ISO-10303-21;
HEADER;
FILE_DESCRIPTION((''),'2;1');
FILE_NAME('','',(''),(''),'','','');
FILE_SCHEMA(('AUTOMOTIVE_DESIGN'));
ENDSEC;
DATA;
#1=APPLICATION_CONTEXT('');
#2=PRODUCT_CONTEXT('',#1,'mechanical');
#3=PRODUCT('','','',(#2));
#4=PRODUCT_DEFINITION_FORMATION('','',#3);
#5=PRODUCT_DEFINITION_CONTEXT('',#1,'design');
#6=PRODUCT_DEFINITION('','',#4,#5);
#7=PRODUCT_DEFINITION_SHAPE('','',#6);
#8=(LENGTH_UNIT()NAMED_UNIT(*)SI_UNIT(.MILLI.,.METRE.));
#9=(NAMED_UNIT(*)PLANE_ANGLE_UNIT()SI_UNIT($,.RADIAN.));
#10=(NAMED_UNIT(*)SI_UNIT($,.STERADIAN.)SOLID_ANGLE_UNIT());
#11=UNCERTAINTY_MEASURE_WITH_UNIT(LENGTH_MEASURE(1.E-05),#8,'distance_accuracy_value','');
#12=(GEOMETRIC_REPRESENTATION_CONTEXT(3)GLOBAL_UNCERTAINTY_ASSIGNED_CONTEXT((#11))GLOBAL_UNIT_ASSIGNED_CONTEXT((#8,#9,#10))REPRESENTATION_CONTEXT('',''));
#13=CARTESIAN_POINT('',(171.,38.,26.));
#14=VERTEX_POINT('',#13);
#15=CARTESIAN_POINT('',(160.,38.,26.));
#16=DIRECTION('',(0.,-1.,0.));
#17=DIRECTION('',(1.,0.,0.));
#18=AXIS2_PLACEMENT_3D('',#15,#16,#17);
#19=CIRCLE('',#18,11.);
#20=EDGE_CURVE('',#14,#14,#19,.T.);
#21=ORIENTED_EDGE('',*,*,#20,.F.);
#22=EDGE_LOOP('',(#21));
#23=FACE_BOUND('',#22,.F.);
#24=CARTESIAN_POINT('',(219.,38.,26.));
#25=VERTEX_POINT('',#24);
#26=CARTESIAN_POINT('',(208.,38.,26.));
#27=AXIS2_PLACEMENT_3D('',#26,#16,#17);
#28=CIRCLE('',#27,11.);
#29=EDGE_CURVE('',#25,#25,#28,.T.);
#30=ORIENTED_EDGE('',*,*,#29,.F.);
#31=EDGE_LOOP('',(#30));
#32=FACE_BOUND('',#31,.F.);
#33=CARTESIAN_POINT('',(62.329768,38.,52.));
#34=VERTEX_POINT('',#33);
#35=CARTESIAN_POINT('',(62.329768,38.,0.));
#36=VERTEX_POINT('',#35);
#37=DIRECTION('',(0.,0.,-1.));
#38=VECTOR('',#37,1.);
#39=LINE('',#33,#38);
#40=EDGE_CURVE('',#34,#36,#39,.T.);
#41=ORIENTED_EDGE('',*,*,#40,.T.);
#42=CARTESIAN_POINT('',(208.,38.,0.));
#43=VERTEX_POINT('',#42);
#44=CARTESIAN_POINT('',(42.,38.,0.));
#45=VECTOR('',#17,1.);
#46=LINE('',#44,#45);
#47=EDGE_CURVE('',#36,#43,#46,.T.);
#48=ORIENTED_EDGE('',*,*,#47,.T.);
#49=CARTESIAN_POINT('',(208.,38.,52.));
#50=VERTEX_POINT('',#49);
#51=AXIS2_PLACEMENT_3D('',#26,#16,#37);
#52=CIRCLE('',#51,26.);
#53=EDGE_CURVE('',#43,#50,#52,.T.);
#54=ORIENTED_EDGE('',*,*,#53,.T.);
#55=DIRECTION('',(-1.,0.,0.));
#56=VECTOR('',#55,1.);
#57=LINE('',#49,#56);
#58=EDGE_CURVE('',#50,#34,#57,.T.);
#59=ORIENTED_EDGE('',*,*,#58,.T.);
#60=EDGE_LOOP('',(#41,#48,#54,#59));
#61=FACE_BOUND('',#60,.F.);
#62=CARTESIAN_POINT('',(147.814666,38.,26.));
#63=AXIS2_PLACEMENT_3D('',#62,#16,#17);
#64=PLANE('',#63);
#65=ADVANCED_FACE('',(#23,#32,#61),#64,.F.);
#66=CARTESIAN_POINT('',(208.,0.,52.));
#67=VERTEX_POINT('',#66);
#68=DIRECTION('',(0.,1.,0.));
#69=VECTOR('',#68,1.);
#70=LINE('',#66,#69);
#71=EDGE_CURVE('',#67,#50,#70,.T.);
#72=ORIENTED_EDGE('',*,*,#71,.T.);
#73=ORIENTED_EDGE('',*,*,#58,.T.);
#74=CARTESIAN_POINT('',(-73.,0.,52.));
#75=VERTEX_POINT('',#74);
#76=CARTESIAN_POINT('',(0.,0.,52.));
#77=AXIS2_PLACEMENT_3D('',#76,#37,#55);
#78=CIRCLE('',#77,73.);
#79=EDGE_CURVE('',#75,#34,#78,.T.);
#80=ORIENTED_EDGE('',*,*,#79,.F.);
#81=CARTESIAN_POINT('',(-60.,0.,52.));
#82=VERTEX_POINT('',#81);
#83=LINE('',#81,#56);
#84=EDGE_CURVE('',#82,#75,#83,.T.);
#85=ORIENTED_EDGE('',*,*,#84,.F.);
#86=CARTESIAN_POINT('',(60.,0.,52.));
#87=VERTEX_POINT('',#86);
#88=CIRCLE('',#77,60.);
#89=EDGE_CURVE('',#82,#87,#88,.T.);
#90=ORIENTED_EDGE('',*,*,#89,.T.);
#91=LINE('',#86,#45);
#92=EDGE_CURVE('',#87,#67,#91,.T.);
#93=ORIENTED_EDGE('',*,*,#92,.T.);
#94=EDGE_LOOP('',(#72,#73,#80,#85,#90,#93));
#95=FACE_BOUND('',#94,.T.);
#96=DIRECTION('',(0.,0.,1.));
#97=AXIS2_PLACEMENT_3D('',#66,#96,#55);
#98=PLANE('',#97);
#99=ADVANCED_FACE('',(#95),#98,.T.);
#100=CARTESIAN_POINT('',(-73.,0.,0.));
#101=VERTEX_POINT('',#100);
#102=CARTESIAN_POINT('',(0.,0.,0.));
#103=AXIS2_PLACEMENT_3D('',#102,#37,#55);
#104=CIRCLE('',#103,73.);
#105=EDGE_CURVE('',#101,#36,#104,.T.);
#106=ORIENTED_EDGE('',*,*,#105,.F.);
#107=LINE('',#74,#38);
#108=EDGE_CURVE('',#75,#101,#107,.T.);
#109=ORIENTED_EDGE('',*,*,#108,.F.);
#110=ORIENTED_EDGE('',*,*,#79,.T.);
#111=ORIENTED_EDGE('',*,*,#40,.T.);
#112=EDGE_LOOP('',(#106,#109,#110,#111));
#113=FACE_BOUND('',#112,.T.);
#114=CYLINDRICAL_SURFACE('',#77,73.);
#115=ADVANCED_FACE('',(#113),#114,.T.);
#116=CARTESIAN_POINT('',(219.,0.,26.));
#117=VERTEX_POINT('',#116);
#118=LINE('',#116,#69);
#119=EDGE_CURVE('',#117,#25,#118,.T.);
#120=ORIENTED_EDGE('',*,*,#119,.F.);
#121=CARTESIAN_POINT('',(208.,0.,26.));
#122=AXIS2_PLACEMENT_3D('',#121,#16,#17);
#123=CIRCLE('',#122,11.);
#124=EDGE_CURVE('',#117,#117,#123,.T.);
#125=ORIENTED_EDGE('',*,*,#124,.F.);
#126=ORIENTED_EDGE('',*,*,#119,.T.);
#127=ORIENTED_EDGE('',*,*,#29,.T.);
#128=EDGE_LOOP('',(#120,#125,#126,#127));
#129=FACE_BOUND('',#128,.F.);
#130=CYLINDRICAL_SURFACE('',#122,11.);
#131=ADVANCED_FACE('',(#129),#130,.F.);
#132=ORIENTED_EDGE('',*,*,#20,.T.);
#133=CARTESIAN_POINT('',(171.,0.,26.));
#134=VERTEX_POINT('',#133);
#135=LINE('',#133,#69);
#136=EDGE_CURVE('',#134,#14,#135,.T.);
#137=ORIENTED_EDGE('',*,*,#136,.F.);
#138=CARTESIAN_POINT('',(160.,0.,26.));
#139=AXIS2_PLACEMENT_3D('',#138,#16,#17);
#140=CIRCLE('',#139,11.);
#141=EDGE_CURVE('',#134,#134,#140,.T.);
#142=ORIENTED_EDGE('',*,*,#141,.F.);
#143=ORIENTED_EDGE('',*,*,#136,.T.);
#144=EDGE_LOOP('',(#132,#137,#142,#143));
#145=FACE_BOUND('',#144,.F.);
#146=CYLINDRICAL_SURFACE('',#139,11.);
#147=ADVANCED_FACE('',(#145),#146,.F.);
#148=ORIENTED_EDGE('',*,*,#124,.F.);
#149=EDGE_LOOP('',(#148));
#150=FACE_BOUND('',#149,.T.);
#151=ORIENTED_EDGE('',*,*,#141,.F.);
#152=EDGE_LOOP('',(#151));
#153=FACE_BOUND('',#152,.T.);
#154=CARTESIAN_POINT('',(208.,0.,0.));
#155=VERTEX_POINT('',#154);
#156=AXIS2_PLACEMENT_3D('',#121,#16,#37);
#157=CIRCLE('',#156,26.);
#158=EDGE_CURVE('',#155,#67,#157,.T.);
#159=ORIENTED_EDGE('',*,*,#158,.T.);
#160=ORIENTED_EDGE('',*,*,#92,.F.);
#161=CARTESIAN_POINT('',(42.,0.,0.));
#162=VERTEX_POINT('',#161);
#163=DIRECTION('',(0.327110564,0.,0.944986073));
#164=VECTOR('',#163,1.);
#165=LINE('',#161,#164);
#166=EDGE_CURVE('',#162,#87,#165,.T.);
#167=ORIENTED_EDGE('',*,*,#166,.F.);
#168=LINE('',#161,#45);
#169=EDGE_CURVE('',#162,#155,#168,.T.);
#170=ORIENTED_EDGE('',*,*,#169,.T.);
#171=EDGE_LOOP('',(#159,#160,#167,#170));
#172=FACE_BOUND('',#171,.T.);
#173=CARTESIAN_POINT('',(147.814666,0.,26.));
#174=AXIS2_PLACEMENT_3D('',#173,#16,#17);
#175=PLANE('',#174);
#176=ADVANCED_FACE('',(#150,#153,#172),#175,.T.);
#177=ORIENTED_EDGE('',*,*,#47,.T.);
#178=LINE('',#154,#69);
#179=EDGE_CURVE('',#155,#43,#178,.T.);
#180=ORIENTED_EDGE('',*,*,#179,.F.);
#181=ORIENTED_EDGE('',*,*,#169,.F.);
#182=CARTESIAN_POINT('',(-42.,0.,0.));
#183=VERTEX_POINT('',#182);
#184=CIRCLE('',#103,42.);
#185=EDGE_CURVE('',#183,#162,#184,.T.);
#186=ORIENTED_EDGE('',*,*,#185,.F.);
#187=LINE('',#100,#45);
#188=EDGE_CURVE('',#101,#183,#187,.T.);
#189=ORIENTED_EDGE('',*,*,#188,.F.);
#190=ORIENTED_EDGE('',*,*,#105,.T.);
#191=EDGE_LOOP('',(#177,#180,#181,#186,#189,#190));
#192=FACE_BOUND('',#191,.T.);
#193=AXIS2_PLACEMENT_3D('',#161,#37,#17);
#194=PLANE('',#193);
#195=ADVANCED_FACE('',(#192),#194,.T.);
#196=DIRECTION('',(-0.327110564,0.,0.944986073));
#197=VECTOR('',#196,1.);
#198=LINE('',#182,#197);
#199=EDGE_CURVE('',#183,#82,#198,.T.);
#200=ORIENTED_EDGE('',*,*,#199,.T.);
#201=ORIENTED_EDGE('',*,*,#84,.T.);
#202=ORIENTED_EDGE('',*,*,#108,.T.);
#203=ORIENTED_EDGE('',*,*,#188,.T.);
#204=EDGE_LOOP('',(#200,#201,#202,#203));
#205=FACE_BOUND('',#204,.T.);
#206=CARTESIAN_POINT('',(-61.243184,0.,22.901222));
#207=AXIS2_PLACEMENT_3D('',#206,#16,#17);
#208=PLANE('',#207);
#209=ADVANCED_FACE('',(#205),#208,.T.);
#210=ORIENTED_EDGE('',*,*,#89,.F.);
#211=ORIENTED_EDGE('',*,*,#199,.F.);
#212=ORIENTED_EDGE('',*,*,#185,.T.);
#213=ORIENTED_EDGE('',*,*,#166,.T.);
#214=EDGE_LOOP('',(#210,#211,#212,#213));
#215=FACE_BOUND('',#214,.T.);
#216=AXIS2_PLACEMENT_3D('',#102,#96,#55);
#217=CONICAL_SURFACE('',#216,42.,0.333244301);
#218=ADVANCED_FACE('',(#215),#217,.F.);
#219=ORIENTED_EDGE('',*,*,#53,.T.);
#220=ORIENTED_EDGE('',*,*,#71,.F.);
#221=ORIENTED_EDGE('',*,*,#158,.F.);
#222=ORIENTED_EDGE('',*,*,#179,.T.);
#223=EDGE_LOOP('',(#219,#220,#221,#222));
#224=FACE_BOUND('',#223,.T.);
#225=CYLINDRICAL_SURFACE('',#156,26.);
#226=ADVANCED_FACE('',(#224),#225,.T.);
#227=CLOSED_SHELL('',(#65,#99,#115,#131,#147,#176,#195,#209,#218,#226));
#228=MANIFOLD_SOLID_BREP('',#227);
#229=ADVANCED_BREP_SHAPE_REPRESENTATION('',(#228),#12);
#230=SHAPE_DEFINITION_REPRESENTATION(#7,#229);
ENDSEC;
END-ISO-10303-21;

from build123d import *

# Parameters (mm, degrees)
F2_ANGLE = -180
F3_R     = 11
F4_DEPTH = 38


with BuildPart() as f2:
    # F0 (on Front) → F2 (revolve)
    with BuildSketch(Plane.XZ):
        Polygon((-73, 52), (-73, 0), (-42, 0), (-60, 52), align=None)
    revolve(axis=Axis((0, 0, 36.428589), (0, 0, 1)), revolution_arc=F2_ANGLE)

    # F3 (on face) → F4 (join)
    with BuildSketch(Plane.XZ):
        with BuildLine():
            Line((73, 52), (73, 0))
            Line((73, 0), (208, 0))
            ThreePointArc((208, 0), (234, 26), (208, 52))
            Line((208, 52), (73, 52))
        make_face()
        with Locations((160, 26)):
            Circle(F3_R, mode=Mode.SUBTRACT)
        with Locations((208, 26)):
            Circle(F3_R, mode=Mode.SUBTRACT)
        Polygon((60, 52), (42, 0), (73, 0), (73, 52), align=None)
    extrude(amount=-F4_DEPTH)


solid = f2.part
